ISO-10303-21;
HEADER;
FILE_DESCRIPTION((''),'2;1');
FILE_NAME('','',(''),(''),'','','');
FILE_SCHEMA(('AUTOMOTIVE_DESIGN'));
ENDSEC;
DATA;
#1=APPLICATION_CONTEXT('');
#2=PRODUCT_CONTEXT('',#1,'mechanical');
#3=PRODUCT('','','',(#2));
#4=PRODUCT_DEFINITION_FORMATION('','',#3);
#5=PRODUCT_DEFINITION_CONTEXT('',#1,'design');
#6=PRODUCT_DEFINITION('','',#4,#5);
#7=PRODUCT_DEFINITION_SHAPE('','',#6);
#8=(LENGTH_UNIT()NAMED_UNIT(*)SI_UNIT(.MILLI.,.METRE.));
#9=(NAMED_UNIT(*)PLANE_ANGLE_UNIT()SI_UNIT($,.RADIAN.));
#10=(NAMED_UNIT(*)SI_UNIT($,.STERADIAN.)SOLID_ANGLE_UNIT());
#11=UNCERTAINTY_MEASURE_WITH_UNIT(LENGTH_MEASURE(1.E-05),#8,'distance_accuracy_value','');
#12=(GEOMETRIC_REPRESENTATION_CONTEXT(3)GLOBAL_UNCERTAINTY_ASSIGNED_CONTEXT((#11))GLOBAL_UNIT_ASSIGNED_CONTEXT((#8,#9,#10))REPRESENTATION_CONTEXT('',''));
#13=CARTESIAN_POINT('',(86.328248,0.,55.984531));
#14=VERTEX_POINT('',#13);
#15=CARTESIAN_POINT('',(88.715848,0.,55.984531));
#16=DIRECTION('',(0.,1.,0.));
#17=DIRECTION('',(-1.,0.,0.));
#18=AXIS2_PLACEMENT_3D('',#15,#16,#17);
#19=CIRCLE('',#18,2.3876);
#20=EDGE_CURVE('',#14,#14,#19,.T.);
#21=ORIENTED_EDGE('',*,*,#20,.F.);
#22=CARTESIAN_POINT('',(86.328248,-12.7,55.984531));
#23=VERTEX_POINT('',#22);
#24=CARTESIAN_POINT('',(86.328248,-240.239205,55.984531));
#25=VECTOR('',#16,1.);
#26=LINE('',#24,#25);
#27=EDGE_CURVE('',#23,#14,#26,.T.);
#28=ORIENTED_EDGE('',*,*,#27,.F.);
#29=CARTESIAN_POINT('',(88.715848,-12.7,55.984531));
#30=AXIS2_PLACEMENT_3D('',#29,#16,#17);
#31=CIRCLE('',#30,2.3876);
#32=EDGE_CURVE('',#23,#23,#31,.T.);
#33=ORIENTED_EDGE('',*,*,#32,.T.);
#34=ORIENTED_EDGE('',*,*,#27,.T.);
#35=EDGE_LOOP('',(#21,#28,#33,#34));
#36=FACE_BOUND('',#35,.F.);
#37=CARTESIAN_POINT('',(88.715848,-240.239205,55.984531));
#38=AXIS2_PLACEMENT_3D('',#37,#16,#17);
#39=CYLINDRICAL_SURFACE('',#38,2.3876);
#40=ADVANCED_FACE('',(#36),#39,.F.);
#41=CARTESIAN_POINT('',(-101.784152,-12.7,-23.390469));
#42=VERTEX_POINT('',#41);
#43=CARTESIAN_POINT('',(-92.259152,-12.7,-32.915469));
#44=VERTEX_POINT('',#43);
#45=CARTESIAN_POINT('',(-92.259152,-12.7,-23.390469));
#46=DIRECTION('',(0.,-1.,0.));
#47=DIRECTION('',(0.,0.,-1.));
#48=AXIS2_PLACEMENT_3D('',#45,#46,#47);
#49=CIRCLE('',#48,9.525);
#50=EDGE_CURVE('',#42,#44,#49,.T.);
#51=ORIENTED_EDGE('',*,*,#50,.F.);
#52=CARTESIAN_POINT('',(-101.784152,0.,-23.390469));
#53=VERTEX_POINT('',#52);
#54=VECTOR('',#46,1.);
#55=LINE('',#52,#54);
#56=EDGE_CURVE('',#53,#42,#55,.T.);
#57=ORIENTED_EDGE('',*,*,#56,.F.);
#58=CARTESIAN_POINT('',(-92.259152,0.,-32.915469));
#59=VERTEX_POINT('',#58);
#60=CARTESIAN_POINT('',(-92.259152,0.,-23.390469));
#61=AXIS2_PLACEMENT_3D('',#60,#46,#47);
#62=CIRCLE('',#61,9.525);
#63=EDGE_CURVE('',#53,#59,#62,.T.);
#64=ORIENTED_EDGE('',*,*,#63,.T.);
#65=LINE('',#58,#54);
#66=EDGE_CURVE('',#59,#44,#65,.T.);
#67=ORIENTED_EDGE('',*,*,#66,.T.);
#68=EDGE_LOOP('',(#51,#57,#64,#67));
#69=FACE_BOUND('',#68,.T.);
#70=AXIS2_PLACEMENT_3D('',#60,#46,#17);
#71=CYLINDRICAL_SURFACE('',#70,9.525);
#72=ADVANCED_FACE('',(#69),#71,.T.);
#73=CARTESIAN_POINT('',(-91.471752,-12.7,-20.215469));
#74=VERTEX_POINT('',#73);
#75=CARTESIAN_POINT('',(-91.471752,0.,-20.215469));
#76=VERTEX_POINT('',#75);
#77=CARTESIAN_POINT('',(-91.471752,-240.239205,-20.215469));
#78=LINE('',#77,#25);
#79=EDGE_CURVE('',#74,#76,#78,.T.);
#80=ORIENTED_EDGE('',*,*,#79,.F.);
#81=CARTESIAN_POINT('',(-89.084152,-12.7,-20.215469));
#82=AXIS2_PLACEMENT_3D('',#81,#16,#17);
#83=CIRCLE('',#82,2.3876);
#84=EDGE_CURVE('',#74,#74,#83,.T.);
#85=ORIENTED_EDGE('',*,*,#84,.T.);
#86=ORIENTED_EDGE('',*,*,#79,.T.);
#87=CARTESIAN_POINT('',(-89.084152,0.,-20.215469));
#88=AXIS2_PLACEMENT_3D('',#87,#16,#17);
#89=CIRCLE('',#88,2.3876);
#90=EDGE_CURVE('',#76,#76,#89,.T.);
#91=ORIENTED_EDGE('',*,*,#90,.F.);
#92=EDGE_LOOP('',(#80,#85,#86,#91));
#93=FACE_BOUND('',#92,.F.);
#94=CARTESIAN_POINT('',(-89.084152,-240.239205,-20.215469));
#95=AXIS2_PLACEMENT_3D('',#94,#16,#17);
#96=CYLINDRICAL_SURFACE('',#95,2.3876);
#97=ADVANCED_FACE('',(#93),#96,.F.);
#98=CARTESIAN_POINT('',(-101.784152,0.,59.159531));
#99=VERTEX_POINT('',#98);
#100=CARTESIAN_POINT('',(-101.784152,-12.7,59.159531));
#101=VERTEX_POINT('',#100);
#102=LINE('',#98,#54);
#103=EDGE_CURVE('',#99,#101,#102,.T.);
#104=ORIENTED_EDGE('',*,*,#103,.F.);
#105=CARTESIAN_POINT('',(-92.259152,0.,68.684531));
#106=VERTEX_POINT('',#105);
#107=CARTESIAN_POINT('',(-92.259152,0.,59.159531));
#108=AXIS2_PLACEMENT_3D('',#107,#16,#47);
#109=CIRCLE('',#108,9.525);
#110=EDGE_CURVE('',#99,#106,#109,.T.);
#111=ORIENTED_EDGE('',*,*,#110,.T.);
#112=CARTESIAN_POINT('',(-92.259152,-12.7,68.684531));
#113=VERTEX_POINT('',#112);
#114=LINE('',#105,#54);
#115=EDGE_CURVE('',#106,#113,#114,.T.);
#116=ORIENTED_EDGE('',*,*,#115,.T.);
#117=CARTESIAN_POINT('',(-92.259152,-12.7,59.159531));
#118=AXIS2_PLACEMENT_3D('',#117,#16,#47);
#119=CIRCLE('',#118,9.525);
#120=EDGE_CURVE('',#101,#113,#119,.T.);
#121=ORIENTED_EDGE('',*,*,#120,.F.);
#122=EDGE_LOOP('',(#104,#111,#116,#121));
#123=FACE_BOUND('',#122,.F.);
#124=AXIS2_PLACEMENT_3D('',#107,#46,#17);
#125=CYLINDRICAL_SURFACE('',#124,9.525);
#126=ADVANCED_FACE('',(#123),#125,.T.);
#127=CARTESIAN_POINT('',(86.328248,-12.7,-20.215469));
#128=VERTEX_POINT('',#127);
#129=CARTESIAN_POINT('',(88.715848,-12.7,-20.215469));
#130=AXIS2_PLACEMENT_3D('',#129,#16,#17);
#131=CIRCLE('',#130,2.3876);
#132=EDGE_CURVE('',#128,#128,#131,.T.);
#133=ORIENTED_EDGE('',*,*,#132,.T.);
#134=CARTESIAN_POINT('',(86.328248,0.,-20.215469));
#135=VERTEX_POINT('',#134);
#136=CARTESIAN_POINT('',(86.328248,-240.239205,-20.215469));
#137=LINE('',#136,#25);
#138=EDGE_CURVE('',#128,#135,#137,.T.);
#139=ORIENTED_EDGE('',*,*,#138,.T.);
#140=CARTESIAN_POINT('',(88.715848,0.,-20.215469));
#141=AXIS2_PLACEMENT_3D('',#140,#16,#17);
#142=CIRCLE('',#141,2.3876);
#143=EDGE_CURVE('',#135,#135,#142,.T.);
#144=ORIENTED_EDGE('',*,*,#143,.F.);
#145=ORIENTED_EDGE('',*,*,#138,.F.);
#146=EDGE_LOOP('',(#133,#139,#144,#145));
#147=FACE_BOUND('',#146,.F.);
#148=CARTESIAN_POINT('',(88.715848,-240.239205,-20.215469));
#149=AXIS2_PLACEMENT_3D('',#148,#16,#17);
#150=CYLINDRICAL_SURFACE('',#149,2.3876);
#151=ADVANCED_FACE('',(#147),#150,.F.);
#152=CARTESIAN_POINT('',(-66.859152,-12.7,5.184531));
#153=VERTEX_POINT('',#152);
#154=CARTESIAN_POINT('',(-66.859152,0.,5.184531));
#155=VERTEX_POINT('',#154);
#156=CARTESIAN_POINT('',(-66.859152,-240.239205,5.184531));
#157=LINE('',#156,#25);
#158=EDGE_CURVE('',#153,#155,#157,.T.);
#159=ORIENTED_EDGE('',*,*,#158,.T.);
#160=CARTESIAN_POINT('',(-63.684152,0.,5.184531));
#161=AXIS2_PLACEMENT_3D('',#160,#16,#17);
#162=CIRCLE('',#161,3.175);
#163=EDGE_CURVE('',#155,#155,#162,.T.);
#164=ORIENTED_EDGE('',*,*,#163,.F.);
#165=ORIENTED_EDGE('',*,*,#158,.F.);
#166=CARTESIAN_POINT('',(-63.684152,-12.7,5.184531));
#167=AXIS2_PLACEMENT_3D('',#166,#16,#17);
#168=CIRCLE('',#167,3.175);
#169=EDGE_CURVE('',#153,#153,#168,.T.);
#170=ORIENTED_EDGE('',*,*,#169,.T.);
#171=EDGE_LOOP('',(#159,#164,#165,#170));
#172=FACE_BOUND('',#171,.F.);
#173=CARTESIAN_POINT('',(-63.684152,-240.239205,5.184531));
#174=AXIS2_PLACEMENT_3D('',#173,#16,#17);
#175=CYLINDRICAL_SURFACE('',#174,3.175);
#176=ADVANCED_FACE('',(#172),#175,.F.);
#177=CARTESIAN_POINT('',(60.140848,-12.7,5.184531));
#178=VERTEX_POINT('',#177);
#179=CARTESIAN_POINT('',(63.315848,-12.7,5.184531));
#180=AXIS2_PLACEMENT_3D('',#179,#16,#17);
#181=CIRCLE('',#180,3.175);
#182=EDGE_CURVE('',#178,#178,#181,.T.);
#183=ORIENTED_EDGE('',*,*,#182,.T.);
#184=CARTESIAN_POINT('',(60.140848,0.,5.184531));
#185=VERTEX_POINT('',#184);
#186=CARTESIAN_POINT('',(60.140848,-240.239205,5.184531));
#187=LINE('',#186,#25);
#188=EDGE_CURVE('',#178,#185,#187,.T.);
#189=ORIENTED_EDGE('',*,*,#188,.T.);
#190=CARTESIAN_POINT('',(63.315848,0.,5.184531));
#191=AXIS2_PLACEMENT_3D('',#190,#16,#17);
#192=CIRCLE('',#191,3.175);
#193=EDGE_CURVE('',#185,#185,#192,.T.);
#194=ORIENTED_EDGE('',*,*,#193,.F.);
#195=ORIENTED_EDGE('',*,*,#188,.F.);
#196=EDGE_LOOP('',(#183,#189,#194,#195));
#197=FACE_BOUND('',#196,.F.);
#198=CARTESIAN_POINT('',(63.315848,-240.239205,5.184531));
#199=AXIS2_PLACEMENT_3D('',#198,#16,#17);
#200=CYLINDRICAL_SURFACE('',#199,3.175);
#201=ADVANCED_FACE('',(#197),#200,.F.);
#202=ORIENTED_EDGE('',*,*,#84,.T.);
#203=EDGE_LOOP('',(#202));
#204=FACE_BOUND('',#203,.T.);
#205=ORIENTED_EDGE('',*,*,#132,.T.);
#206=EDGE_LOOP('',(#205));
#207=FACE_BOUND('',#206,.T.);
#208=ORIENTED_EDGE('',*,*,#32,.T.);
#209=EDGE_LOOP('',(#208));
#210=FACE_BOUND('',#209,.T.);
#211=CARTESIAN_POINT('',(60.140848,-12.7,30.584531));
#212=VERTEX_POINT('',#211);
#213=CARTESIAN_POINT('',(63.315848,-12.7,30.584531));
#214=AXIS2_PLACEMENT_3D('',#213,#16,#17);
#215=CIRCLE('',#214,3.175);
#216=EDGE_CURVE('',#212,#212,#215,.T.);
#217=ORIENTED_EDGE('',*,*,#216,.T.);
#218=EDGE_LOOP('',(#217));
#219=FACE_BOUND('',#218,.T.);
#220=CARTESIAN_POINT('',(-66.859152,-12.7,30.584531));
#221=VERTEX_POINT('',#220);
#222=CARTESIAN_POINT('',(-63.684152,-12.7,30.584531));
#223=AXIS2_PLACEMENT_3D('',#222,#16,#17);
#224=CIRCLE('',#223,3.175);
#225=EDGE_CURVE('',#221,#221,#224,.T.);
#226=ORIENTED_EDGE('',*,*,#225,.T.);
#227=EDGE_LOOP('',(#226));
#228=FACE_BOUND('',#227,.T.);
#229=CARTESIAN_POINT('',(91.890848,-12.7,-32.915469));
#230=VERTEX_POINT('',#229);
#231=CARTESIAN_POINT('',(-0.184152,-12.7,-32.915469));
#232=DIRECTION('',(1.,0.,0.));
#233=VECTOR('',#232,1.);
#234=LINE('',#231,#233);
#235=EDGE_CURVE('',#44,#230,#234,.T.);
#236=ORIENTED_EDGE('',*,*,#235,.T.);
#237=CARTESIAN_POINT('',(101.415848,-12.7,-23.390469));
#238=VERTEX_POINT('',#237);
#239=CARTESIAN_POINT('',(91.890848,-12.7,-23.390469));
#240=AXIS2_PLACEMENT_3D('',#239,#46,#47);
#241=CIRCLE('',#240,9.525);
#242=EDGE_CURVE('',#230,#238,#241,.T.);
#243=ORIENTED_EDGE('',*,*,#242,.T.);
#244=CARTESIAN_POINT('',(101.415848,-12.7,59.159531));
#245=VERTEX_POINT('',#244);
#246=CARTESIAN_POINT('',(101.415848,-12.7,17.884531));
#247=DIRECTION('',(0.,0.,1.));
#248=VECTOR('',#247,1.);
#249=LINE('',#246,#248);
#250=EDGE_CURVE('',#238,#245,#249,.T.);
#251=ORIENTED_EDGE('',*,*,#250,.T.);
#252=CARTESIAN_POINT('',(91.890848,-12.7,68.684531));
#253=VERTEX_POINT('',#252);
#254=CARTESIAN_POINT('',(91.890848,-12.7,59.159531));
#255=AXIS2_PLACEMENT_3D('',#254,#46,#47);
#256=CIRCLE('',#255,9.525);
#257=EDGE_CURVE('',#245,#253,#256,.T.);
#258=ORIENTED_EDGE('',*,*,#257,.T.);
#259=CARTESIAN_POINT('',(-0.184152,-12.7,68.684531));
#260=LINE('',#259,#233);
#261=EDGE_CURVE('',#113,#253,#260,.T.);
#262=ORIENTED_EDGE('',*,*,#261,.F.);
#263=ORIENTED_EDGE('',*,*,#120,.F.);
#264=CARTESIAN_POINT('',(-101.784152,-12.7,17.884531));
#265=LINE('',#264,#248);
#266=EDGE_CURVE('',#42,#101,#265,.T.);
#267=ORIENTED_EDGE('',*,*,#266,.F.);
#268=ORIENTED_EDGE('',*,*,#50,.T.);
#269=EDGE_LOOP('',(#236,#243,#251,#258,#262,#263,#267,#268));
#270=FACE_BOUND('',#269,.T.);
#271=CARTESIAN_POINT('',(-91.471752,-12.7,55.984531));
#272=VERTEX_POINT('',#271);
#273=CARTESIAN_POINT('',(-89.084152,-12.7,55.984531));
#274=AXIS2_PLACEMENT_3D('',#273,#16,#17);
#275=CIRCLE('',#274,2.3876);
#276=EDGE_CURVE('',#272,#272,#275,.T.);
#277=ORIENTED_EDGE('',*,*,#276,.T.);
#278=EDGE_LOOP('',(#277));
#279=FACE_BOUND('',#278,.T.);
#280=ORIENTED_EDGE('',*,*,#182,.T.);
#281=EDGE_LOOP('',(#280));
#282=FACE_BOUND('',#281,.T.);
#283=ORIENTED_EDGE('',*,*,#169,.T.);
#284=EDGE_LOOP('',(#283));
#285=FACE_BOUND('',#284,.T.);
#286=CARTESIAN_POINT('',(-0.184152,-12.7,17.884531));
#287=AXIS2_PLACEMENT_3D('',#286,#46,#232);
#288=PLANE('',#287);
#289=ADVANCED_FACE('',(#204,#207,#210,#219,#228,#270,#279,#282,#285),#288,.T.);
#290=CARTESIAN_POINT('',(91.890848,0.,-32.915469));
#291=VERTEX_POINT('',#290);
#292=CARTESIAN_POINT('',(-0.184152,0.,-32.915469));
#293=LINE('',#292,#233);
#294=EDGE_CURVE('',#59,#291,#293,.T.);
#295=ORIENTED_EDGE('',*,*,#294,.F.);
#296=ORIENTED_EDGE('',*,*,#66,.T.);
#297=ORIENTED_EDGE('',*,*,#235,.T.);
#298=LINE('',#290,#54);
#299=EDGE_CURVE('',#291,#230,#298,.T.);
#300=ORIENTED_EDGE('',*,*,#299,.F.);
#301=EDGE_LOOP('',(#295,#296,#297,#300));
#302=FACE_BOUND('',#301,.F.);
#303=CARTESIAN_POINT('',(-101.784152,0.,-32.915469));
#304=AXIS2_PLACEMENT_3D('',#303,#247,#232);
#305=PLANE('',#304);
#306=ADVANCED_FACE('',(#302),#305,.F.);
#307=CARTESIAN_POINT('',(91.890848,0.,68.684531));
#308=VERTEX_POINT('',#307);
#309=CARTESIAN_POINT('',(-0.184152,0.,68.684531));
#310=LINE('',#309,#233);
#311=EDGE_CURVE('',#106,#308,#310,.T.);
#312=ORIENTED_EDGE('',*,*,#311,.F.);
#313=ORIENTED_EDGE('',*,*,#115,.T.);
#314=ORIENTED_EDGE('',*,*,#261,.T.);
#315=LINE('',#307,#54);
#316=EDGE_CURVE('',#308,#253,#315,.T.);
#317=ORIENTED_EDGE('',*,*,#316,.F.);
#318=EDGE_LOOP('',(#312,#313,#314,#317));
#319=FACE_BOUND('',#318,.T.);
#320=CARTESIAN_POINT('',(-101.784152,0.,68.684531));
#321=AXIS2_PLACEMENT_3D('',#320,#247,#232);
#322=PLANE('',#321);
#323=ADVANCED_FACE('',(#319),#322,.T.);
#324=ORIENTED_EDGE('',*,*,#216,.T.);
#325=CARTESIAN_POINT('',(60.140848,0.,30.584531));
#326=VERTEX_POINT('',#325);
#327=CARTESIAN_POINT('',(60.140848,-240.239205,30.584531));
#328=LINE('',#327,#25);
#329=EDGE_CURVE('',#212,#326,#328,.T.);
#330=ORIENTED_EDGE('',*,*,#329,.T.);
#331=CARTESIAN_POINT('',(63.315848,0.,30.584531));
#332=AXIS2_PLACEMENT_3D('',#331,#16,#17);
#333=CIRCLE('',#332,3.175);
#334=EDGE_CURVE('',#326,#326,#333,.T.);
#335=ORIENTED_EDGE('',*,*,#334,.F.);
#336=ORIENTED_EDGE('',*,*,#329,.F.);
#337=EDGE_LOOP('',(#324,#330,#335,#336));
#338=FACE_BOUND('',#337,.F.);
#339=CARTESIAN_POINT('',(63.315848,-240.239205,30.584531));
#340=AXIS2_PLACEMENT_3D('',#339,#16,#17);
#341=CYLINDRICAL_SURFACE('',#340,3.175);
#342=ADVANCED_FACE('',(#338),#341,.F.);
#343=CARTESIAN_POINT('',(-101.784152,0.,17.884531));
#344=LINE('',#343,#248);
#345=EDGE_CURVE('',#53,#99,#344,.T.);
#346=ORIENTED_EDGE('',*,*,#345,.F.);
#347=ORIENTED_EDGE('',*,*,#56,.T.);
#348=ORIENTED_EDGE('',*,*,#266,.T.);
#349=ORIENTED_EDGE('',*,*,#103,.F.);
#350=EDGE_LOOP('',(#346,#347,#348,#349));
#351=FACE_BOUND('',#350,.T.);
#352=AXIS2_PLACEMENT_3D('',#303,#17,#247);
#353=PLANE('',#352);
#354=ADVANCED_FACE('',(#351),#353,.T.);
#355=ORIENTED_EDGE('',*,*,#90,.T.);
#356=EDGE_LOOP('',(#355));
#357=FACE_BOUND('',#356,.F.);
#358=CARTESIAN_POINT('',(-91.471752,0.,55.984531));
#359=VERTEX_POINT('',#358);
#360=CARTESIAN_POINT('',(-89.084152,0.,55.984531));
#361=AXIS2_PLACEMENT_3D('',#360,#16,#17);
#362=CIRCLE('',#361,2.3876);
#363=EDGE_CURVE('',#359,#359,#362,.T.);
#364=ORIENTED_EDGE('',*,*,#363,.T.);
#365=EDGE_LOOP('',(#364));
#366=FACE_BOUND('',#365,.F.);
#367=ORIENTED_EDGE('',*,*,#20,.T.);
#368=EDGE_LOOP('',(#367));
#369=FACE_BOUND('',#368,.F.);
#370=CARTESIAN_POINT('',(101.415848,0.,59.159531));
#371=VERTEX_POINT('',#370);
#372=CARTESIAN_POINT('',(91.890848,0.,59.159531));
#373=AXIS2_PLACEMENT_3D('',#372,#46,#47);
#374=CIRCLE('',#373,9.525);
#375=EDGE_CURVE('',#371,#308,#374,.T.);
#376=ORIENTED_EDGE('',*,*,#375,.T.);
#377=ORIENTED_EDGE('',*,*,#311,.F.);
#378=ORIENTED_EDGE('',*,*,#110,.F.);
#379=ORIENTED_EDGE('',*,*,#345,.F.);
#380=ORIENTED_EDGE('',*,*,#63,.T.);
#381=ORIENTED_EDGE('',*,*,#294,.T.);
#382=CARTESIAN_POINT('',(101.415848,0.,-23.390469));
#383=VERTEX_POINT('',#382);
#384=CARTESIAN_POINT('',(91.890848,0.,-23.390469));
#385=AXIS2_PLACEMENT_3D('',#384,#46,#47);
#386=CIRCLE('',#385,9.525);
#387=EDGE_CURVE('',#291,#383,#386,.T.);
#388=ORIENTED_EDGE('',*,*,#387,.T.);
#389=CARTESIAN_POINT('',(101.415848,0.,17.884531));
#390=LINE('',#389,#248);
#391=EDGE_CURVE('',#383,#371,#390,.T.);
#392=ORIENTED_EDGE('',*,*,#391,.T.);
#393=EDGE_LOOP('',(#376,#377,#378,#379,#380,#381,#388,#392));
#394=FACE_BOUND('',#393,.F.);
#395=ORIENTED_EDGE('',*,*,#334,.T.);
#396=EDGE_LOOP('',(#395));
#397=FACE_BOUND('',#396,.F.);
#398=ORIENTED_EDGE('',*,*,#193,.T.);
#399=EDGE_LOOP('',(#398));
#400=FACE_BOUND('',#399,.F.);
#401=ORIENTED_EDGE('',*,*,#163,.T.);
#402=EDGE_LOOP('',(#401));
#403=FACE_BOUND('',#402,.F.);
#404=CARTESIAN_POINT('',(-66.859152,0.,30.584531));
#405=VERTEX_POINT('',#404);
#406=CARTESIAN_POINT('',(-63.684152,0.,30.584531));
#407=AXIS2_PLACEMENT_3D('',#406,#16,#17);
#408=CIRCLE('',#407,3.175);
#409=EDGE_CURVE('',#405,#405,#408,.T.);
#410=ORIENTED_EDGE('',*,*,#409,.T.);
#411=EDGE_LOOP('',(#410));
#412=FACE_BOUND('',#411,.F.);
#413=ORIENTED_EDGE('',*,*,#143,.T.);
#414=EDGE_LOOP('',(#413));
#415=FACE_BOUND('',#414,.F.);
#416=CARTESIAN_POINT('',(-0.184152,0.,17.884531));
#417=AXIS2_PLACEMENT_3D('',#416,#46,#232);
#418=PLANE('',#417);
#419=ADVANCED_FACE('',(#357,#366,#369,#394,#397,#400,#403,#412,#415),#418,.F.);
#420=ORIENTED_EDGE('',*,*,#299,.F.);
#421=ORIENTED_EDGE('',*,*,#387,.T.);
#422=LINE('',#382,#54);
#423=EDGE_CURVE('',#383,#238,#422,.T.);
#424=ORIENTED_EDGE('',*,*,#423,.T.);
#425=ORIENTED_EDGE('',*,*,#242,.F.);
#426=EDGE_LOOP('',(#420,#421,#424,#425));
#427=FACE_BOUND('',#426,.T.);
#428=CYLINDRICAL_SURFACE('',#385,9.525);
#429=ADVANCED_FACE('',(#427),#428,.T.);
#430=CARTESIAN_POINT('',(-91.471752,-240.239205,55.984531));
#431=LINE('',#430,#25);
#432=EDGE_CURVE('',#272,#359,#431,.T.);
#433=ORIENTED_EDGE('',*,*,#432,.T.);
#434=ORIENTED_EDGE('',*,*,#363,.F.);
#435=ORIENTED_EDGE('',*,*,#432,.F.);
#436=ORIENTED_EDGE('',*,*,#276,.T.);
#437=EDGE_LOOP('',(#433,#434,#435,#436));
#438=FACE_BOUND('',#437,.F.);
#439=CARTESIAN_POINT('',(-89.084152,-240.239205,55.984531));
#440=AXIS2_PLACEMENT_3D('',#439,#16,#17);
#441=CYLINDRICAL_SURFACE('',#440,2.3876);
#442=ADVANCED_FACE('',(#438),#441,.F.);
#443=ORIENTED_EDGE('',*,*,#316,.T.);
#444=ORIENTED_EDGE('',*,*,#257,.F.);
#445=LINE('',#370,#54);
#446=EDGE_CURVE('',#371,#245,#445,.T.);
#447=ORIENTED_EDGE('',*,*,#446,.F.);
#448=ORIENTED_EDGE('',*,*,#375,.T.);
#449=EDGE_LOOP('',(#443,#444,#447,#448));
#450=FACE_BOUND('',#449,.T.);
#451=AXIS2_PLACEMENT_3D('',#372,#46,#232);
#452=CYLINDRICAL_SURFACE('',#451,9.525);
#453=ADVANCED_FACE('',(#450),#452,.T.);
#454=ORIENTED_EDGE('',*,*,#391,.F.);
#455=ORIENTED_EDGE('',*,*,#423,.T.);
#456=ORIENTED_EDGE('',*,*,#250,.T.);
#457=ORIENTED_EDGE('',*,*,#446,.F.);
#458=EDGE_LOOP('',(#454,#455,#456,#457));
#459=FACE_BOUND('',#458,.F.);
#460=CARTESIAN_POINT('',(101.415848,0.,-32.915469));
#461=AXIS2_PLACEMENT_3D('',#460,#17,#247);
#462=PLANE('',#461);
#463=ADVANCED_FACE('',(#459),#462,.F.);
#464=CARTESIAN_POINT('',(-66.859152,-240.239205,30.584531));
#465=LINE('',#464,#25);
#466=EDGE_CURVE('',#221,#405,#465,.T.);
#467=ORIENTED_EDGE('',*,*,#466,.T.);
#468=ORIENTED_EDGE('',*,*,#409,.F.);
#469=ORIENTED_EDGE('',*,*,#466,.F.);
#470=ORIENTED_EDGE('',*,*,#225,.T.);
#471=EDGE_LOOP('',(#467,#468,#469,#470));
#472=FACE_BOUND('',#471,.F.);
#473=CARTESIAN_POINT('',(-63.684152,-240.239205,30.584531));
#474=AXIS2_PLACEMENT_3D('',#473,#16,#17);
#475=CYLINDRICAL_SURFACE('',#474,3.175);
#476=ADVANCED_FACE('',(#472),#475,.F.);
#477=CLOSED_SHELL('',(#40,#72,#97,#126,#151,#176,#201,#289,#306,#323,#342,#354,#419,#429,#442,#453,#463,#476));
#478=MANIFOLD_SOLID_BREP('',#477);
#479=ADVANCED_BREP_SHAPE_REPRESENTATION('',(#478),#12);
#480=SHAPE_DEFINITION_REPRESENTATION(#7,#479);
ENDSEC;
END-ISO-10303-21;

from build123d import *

# Parameters (mm, degrees)
F0_W     = 203.2
F0_H     = 101.6
F1_DEPTH = 12.7
F2_R     = 9.525
F4_D     = 4.7752
F6_D     = 6.35


with BuildPart() as f1:
    # F0 (on Front) → F1 (new body)
    with BuildSketch(Plane.XZ):
        with Locations((-0.184152, 17.884531)):
            Rectangle(F0_W, F0_H)
    extrude(amount=F1_DEPTH)

    # F2
    f2_edges = [f1.edges().sort_by_distance(p)[0] for p in [
        (-101.784152, -6.35, 68.684531),
        (101.415848, -6.35, 68.684531),
        (101.415848, -6.35, -32.915469),
        (-101.784152, -6.35, -32.915469),
    ]]
    fillet(f2_edges, radius=F2_R)

    # F4 (through all)
    with Locations(Plane.XZ.offset(12.7)):
        with Locations((-89.084152, 55.984531), (-89.084152, -20.215469), (88.715848, -20.215469), (88.715848, 55.984531)):
            Hole(F4_D / 2)

    # F6 (through all)
    with Locations(Plane.XZ.offset(12.7)):
        with Locations((-63.684152, 30.584531), (-63.684152, 5.184531), (63.315848, 5.184531), (63.315848, 30.584531)):
            Hole(F6_D / 2)


solid = f1.part
